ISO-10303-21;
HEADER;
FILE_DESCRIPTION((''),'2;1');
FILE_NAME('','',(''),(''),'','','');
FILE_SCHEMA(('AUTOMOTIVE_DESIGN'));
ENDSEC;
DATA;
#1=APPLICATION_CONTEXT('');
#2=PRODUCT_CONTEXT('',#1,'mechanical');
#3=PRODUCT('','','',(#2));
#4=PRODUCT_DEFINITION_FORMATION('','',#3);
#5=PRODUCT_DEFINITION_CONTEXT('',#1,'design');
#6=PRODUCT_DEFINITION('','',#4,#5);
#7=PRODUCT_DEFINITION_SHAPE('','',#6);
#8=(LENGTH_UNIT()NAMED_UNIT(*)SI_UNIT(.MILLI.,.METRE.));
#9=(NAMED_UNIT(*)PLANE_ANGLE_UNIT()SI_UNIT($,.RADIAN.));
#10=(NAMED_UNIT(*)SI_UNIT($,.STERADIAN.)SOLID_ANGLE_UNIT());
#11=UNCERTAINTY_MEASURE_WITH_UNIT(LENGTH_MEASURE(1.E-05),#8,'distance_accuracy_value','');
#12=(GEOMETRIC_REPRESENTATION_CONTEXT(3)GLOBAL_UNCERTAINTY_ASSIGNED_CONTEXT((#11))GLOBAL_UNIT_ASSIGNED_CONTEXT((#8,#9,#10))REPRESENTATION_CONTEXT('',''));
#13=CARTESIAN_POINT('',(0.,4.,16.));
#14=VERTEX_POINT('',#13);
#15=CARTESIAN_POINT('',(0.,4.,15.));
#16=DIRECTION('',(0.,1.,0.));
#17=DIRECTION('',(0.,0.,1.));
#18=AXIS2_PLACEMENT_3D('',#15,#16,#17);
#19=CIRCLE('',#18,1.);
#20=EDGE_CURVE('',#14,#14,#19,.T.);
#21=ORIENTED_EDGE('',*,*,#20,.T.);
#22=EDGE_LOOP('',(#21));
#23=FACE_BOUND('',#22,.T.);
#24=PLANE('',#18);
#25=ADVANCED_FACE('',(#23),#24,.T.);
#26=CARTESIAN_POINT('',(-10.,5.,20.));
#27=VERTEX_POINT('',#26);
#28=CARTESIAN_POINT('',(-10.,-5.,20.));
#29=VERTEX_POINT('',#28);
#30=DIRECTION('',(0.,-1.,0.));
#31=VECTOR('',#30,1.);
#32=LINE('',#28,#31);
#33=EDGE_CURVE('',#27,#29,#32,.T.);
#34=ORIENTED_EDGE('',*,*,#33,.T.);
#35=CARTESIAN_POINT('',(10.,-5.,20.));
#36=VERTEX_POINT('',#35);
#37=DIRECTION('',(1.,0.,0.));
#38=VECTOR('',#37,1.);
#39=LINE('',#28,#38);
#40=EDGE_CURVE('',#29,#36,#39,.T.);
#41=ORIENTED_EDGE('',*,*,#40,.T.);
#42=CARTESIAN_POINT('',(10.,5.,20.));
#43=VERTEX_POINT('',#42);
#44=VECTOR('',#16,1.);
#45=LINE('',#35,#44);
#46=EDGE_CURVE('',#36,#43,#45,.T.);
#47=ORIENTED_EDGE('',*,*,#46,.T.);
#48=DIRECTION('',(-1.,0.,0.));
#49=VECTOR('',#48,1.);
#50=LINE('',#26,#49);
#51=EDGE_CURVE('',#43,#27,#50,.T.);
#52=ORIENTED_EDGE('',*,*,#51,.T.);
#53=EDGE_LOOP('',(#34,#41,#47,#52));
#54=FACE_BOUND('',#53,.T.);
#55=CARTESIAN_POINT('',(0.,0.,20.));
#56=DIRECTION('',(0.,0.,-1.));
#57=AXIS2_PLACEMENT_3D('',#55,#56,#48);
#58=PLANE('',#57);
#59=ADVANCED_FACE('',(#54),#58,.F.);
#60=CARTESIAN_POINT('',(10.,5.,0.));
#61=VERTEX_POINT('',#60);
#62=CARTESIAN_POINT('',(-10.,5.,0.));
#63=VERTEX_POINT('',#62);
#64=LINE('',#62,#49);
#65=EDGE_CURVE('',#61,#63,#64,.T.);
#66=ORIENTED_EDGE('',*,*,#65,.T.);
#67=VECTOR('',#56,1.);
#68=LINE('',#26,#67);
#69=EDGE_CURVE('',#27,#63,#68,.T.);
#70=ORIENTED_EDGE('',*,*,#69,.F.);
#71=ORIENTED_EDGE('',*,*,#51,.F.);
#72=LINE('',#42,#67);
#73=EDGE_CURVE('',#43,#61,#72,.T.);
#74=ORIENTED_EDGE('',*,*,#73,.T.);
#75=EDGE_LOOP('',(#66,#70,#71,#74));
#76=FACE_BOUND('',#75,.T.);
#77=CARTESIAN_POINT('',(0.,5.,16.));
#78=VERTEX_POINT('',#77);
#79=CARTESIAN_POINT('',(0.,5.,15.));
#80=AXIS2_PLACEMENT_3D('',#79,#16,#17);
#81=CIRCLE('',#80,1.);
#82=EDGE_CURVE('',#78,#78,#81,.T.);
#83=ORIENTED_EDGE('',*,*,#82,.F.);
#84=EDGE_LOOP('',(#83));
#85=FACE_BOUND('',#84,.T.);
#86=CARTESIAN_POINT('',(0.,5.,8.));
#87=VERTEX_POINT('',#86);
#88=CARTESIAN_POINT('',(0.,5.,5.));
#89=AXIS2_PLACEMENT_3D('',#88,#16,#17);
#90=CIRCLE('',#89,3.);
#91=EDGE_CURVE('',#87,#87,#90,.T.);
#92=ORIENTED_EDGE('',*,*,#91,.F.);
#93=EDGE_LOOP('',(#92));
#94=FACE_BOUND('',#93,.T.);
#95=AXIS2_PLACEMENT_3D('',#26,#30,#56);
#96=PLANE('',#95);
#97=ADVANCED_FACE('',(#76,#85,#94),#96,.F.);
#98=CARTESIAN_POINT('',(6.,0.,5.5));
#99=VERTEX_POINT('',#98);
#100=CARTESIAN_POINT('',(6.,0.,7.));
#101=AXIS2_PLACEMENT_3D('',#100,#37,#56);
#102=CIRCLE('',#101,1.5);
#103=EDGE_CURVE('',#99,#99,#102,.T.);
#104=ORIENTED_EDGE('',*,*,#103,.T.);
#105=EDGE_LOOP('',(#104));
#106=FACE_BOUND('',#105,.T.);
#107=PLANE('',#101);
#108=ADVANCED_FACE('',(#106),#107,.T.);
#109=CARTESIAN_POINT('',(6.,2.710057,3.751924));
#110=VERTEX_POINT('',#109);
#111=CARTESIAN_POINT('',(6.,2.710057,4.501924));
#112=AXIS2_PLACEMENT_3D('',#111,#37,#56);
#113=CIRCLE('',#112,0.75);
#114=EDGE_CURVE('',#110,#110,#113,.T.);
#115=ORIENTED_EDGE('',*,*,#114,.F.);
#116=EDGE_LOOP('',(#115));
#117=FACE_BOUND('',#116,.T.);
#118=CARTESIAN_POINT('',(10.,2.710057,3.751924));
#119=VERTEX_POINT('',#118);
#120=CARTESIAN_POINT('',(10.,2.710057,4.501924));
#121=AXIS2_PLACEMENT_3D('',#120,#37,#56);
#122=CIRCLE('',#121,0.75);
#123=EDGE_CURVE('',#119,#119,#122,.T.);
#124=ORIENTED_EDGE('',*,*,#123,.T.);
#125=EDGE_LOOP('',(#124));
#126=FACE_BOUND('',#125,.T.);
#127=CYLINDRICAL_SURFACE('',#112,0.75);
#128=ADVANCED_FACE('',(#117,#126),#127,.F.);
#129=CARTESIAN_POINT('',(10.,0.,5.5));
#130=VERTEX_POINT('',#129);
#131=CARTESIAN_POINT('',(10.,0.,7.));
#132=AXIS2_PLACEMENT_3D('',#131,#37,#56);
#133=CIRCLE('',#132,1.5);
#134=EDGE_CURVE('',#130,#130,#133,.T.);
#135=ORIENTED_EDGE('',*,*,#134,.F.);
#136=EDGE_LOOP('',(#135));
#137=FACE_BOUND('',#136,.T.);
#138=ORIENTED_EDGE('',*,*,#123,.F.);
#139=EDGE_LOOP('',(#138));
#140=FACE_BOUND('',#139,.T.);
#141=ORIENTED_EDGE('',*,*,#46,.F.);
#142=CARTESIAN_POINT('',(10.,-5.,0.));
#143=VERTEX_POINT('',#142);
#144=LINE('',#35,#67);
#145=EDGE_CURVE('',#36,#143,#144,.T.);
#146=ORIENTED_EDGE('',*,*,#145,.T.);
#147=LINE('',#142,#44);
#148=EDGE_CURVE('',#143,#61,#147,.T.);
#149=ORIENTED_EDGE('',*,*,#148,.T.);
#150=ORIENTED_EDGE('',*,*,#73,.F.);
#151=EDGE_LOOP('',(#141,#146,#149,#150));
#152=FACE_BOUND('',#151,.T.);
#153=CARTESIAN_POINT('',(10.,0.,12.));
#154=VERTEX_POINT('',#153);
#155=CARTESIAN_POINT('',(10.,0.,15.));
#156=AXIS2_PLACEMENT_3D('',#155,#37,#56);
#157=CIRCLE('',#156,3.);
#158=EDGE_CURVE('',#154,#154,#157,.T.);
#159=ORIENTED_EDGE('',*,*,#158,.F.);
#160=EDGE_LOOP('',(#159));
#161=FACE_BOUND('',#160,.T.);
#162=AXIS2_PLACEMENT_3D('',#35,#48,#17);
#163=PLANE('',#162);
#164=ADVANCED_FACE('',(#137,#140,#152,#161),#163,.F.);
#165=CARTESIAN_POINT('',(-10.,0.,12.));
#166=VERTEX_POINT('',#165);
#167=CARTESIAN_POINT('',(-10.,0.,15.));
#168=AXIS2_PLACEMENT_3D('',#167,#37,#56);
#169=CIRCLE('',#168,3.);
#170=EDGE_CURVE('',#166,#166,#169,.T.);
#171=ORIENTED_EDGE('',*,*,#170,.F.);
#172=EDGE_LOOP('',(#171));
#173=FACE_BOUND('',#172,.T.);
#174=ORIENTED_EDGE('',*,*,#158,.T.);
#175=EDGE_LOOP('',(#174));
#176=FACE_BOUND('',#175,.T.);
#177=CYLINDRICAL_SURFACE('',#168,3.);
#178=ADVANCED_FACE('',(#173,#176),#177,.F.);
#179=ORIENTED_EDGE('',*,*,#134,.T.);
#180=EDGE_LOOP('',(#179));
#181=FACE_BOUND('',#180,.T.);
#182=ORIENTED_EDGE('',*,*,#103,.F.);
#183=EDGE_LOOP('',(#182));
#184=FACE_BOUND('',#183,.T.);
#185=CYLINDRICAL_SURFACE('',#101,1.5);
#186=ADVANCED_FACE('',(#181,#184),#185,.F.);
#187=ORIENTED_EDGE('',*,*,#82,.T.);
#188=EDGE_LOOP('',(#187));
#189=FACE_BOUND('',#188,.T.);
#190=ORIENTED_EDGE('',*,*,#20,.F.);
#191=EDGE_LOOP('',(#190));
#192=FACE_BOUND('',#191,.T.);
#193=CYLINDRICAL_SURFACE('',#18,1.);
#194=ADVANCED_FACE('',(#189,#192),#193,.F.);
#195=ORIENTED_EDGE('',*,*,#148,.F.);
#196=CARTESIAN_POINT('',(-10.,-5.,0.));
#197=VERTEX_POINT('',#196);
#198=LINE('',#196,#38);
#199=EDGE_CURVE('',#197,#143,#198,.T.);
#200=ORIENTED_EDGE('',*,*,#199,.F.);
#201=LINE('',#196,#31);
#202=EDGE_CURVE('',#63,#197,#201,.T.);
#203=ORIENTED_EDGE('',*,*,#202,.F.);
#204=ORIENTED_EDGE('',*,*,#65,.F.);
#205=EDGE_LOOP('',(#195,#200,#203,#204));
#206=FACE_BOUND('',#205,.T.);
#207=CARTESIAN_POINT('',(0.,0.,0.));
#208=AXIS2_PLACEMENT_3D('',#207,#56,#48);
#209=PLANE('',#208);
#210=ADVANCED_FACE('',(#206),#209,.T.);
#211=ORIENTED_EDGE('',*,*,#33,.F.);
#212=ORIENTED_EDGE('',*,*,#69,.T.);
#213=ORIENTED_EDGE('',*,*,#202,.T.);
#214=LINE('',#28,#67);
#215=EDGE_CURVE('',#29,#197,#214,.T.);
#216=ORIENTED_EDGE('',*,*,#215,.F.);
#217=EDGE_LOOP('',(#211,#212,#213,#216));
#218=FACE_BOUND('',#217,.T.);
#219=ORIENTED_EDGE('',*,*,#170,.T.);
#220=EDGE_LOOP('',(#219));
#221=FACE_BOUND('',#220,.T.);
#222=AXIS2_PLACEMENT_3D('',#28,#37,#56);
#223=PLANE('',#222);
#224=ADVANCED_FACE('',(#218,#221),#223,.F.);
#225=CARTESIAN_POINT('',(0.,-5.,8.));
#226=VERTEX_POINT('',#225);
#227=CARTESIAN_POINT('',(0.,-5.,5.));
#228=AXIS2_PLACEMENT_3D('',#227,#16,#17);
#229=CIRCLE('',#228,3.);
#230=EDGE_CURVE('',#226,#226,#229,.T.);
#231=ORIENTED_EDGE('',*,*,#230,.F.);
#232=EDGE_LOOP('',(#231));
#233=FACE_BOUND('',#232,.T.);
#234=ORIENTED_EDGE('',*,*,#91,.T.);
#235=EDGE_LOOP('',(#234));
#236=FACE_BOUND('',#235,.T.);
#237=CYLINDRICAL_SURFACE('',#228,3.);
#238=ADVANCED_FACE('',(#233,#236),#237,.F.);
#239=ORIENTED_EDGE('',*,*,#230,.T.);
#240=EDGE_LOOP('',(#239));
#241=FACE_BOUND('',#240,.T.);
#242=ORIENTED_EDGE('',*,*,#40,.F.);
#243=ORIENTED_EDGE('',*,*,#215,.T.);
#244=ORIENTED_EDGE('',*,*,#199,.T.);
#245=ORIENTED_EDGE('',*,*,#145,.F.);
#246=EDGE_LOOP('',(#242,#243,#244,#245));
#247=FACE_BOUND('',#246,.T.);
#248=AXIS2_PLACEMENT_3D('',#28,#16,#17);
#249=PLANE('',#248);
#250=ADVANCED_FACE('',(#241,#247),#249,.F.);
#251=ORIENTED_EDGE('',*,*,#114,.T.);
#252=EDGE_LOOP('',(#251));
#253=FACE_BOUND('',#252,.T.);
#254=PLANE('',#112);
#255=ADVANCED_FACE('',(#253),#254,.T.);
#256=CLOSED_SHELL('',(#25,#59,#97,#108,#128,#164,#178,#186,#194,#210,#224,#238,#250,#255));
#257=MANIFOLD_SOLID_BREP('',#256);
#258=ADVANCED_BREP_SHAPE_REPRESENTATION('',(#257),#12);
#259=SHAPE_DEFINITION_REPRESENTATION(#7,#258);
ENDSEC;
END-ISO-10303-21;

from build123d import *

# Parameters (mm, degrees)
SKETCH1_W           = 20
SKETCH1_H           = 10
BOSS_EXTRUDE1_DEPTH = 20
SKETCH3_R           = 3
CUT_EXTRUDE1_DEPTH  = 10
SKETCH4_R           = 1
CUT_EXTRUDE2_DEPTH  = 1
SKETCH7_R           = 3
CUT_EXTRUDE10_DEPTH = 20
SKETCH8_R           = 1.5
SKETCH8_R_2         = 0.75
CUT_EXTRUDE11_DEPTH = 4


with BuildPart() as part:
    # Sketch1 → Boss-Extrude1 (new body)
    with BuildSketch(Plane.XY):
        Rectangle(SKETCH1_W, SKETCH1_H)
    extrude(amount=BOSS_EXTRUDE1_DEPTH)

    # Sketch3 → Cut-Extrude1 (cut)
    with BuildSketch(Plane(origin=(0, 5, 0), x_dir=(1, 0, 0), z_dir=(0, 1, 0))):
        with Locations(Location((0, -5, 0), (0, 0, 270))):
            Circle(SKETCH3_R)
    extrude(amount=-CUT_EXTRUDE1_DEPTH, mode=Mode.SUBTRACT)

    # Sketch4 → Cut-Extrude2 (cut)
    with BuildSketch(Plane(origin=(0, 5, 0), x_dir=(1, 0, 0), z_dir=(0, 1, 0))):
        with Locations(Location((0, -15, 0), (0, 0, 270))):
            Circle(SKETCH4_R)
    extrude(amount=-CUT_EXTRUDE2_DEPTH, mode=Mode.SUBTRACT)

    # Sketch7 → Cut-Extrude10 (cut)
    with BuildSketch(Plane(origin=(10, 0, 0), x_dir=(0, 0, -1), z_dir=(1, 0, 0))):
        with Locations((-15, 0)):
            Circle(SKETCH7_R)
    extrude(amount=-CUT_EXTRUDE10_DEPTH, mode=Mode.SUBTRACT)

    # Sketch8 → Cut-Extrude11 (cut)
    with BuildSketch(Plane(origin=(10, 0, 0), x_dir=(0, 0, -1), z_dir=(1, 0, 0))):
        with Locations((-7, 0)):
            Circle(SKETCH8_R)
        with Locations((-4.501923946, 2.710056555)):
            Circle(SKETCH8_R_2)
    extrude(amount=-CUT_EXTRUDE11_DEPTH, mode=Mode.SUBTRACT)


solid = part.part
